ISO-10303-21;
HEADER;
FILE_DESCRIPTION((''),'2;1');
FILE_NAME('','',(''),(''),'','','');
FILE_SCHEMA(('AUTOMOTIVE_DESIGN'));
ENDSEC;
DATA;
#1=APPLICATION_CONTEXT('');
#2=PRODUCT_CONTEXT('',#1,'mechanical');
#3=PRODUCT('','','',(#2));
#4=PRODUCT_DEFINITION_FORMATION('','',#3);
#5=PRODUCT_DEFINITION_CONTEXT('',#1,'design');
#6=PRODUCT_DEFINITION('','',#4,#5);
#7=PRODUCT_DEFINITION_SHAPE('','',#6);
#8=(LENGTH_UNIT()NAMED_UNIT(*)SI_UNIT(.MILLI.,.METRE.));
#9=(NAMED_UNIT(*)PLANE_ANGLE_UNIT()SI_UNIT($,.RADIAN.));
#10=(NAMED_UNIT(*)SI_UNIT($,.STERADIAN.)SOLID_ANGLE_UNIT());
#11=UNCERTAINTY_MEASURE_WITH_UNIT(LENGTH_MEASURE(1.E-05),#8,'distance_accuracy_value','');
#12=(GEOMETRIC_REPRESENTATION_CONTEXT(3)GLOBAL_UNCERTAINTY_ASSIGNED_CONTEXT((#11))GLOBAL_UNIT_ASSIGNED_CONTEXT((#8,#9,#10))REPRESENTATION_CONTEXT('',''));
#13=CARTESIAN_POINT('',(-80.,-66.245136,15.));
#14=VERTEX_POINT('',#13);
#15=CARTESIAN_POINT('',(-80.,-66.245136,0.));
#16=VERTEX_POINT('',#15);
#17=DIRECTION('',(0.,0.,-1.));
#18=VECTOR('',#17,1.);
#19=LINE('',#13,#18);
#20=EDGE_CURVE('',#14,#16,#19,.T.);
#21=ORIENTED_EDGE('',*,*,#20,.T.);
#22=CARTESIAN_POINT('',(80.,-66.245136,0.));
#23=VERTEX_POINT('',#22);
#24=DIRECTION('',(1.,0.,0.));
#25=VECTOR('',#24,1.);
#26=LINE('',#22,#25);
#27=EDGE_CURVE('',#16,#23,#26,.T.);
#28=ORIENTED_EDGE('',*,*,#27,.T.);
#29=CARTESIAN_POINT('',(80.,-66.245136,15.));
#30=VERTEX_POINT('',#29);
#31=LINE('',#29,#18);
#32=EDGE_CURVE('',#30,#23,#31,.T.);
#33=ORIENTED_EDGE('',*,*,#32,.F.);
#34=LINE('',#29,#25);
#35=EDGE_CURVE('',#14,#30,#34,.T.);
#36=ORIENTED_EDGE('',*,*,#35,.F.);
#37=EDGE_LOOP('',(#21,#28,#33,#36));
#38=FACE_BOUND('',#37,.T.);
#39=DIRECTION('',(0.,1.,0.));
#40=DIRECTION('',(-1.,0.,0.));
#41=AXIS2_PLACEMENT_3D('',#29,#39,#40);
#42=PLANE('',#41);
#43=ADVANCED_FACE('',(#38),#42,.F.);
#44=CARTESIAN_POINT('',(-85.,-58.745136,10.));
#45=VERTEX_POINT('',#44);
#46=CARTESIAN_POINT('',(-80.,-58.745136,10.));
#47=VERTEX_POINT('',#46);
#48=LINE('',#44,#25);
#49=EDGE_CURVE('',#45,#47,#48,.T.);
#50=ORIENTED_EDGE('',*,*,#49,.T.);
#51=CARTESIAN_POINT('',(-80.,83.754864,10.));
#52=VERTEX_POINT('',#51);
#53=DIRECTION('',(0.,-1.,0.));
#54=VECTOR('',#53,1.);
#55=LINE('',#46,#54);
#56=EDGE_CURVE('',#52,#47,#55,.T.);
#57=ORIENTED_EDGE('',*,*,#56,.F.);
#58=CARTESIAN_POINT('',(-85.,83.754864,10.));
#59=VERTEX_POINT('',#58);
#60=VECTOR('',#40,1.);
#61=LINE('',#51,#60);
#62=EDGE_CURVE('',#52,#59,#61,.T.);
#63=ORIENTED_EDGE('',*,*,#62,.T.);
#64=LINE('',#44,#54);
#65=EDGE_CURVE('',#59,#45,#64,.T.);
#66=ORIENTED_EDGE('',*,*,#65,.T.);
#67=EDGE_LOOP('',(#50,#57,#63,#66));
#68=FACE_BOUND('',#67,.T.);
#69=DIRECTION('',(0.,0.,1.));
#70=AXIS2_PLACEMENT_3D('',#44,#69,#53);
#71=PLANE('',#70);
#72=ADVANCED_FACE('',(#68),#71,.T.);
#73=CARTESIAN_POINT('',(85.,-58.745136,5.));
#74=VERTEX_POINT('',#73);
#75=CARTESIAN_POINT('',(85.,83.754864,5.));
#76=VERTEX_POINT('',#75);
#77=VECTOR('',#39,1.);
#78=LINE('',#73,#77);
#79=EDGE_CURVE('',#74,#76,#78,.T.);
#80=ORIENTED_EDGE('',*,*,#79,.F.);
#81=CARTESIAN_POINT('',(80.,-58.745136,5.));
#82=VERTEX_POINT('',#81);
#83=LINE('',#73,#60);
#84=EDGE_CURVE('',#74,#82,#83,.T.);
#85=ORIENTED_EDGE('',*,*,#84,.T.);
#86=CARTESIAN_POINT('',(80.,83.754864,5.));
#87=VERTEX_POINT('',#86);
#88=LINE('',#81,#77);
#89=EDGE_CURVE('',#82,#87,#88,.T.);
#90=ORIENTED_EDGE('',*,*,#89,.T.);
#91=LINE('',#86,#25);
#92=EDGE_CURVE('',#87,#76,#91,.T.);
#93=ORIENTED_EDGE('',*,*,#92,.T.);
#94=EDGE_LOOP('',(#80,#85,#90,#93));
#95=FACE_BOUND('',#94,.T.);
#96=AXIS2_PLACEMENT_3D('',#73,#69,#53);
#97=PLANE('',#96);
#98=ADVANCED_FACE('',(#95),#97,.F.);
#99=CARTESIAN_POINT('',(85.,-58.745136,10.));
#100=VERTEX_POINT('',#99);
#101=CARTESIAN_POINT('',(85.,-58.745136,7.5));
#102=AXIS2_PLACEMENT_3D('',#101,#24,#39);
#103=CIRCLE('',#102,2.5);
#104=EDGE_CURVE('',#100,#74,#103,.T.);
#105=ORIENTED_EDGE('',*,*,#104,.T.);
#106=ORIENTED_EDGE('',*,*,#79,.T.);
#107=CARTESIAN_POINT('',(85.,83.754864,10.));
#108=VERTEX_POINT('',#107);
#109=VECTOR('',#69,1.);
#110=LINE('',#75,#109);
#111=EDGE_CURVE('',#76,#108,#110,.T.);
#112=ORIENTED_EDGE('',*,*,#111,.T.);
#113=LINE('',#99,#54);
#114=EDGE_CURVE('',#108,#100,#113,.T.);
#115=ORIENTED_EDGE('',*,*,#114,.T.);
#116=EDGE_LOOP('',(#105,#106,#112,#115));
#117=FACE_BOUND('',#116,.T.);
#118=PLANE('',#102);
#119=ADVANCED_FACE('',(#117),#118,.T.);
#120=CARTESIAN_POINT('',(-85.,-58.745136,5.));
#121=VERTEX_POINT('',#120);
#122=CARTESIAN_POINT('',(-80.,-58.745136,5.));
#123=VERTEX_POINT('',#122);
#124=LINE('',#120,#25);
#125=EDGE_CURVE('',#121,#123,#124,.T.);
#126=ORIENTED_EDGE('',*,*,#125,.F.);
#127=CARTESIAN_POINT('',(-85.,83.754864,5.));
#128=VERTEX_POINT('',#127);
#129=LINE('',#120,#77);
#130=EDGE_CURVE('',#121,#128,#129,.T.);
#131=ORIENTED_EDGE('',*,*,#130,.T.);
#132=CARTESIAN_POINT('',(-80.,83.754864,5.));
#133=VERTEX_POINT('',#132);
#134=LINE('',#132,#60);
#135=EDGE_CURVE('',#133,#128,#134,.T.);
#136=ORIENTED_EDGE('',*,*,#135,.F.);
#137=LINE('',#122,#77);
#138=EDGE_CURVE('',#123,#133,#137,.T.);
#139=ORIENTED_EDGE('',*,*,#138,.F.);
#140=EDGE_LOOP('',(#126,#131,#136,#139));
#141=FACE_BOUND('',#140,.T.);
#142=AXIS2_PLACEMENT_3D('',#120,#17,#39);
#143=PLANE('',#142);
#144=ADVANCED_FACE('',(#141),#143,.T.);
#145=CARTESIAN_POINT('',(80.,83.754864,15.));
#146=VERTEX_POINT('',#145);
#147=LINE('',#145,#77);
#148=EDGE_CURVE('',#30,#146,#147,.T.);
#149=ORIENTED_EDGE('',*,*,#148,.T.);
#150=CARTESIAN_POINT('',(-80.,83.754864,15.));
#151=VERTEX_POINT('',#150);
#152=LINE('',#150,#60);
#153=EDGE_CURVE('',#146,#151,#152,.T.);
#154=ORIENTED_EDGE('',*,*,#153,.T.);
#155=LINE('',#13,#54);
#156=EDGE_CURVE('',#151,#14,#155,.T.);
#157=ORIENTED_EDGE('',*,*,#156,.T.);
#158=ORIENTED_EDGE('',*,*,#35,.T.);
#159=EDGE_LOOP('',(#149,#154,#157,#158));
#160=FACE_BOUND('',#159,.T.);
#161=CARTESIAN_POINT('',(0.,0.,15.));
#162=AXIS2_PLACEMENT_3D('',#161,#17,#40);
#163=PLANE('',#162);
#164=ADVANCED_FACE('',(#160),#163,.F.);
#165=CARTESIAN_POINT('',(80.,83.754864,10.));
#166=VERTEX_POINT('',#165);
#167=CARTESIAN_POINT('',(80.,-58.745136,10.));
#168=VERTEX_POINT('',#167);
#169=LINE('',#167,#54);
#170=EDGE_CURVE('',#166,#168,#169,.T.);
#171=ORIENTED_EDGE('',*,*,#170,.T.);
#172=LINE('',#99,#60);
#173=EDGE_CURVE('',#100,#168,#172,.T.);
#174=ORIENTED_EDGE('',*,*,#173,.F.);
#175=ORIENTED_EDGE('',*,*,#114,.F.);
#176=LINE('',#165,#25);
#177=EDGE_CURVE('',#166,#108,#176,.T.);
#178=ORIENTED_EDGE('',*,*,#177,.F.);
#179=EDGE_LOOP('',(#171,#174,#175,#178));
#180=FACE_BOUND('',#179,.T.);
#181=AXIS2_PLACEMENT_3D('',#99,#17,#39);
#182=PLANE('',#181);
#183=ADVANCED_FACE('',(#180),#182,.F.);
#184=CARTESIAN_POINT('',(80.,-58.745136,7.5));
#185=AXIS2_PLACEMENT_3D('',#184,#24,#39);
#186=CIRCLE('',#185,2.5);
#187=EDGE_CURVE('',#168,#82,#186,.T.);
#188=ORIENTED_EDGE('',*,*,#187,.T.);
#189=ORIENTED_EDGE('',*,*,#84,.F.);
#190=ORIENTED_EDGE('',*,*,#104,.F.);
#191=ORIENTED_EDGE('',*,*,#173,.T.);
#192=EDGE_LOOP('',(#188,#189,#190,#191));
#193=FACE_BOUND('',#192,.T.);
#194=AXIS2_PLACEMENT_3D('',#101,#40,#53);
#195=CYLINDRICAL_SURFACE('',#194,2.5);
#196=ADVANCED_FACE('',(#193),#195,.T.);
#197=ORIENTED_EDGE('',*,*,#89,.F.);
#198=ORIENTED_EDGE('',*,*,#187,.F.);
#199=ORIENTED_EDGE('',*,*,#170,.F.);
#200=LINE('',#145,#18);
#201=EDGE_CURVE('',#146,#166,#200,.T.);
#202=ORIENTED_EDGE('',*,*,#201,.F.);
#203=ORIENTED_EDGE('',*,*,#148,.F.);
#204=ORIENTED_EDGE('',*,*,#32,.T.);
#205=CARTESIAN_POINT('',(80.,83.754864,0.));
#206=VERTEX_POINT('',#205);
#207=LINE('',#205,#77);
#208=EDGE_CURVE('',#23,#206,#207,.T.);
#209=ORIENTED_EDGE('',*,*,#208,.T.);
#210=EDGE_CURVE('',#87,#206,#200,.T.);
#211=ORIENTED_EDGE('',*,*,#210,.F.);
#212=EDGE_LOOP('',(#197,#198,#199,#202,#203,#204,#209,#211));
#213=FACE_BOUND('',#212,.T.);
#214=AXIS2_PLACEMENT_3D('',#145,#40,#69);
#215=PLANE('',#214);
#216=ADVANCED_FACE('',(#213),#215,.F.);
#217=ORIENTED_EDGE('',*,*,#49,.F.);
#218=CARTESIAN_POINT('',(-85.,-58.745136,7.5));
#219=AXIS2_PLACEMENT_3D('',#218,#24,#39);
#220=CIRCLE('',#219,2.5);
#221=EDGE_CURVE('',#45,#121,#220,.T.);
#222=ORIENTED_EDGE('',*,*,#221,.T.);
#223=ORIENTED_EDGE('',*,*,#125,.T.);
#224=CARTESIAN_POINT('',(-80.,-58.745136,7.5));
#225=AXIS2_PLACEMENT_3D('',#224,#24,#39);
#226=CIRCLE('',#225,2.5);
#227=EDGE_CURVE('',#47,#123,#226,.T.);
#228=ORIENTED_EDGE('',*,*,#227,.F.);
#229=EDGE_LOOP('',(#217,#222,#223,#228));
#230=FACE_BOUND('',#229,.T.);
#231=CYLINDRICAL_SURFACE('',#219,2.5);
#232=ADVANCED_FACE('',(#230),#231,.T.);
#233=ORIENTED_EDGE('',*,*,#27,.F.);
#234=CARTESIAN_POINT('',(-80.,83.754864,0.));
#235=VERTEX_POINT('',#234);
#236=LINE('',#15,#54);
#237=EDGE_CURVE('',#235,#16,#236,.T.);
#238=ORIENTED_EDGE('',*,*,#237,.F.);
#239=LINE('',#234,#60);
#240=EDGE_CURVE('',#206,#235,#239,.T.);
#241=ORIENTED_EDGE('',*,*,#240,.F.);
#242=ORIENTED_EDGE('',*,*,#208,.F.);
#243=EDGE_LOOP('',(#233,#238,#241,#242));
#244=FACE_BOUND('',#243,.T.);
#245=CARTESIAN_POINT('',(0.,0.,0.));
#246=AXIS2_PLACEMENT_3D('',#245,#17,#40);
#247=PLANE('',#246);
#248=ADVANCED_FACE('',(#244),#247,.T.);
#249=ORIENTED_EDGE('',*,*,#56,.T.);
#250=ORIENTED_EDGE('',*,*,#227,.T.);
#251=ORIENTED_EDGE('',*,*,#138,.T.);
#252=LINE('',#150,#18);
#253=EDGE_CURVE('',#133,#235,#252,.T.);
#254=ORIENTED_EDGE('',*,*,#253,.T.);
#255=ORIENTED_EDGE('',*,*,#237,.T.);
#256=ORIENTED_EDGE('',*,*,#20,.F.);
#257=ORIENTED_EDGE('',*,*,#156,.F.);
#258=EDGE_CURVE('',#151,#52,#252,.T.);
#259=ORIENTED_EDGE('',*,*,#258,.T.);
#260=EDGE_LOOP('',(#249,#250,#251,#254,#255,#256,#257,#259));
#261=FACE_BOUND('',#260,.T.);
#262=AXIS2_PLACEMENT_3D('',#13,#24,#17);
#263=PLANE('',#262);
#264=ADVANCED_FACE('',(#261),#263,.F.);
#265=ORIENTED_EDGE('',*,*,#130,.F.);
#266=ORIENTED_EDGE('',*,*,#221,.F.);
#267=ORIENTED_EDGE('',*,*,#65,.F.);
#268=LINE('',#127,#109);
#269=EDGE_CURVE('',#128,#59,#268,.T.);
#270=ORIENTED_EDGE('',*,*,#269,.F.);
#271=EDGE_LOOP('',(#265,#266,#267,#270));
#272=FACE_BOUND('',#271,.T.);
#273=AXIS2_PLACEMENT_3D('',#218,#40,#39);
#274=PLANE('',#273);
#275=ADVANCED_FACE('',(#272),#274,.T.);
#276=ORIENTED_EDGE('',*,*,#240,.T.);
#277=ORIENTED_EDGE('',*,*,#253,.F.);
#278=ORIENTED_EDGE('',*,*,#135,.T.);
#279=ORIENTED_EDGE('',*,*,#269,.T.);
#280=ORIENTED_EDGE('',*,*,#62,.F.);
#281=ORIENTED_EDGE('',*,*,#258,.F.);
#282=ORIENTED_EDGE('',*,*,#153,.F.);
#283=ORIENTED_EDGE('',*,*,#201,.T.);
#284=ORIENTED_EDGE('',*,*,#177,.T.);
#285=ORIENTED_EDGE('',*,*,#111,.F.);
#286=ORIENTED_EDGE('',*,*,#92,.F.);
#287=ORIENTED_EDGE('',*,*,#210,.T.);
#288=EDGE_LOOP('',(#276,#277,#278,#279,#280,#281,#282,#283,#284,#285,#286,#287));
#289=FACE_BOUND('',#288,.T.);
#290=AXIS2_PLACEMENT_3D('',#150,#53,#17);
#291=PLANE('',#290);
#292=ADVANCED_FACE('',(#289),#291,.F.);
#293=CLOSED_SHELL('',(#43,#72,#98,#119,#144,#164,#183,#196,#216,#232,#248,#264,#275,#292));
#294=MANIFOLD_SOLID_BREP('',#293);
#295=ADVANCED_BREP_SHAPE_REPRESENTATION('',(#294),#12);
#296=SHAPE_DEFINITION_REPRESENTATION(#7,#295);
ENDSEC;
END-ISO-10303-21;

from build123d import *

# Parameters (mm, degrees)
SKETCH1_W           = 160
SKETCH1_H           = 150
BOSS_EXTRUDE1_DEPTH = 15
BOSS_EXTRUDE2_DEPTH = 5
CUT_EXTRUDE1_DEPTH  = 5


with BuildPart() as part:
    # Sketch1 → Boss-Extrude1 (new body)
    with BuildSketch(Plane.XY):
        with Locations((0, 8.754863813)):
            Rectangle(SKETCH1_W, SKETCH1_H)
    extrude(amount=BOSS_EXTRUDE1_DEPTH)

    # Sketch2 → Boss-Extrude2 (add)
    with BuildSketch(Plane(origin=(80, 0, 0), x_dir=(0, 0, -1), z_dir=(1, 0, 0))):
        with BuildLine():
            Line((-10, -58.745136187), (-10, 89.520228405))
            ThreePointArc((-10, 89.520228405), (-7.5, 92.020228405), (-5, 89.520228405))
            Line((-5, 89.520228405), (-5, -58.745136187))
            ThreePointArc((-5, -58.745136187), (-7.5, -61.245136187), (-10, -58.745136187))
        make_face()
    boss_extrude2 = extrude(amount=BOSS_EXTRUDE2_DEPTH)

    # Mirror1: Boss-Extrude2 across plane
    add(boss_extrude2.mirror(Plane(origin=(0, 0, 0), x_dir=(0, 0, 1), z_dir=(1, 0, 0))))

    # Sketch3 → Cut-Extrude1 (cut)
    with BuildSketch(Plane.ZY.offset(85)):
        with BuildLine():
            Line((5, 83.754863813), (10, 83.754863813))
            Line((10, 83.754863813), (10, 89.520228405))
            ThreePointArc((10, 89.520228405), (7.5, 92.020228405), (5, 89.520228405))
            Line((5, 89.520228405), (5, 83.754863813))
        make_face()
    cut_extrude1 = extrude(amount=-CUT_EXTRUDE1_DEPTH, mode=Mode.SUBTRACT)

    # Mirror2: Cut-Extrude1 across plane
    add(cut_extrude1.mirror(Plane(origin=(0, 0, 0), x_dir=(0, 0, 1), z_dir=(1, 0, 0))), mode=Mode.SUBTRACT)


solid = part.part
